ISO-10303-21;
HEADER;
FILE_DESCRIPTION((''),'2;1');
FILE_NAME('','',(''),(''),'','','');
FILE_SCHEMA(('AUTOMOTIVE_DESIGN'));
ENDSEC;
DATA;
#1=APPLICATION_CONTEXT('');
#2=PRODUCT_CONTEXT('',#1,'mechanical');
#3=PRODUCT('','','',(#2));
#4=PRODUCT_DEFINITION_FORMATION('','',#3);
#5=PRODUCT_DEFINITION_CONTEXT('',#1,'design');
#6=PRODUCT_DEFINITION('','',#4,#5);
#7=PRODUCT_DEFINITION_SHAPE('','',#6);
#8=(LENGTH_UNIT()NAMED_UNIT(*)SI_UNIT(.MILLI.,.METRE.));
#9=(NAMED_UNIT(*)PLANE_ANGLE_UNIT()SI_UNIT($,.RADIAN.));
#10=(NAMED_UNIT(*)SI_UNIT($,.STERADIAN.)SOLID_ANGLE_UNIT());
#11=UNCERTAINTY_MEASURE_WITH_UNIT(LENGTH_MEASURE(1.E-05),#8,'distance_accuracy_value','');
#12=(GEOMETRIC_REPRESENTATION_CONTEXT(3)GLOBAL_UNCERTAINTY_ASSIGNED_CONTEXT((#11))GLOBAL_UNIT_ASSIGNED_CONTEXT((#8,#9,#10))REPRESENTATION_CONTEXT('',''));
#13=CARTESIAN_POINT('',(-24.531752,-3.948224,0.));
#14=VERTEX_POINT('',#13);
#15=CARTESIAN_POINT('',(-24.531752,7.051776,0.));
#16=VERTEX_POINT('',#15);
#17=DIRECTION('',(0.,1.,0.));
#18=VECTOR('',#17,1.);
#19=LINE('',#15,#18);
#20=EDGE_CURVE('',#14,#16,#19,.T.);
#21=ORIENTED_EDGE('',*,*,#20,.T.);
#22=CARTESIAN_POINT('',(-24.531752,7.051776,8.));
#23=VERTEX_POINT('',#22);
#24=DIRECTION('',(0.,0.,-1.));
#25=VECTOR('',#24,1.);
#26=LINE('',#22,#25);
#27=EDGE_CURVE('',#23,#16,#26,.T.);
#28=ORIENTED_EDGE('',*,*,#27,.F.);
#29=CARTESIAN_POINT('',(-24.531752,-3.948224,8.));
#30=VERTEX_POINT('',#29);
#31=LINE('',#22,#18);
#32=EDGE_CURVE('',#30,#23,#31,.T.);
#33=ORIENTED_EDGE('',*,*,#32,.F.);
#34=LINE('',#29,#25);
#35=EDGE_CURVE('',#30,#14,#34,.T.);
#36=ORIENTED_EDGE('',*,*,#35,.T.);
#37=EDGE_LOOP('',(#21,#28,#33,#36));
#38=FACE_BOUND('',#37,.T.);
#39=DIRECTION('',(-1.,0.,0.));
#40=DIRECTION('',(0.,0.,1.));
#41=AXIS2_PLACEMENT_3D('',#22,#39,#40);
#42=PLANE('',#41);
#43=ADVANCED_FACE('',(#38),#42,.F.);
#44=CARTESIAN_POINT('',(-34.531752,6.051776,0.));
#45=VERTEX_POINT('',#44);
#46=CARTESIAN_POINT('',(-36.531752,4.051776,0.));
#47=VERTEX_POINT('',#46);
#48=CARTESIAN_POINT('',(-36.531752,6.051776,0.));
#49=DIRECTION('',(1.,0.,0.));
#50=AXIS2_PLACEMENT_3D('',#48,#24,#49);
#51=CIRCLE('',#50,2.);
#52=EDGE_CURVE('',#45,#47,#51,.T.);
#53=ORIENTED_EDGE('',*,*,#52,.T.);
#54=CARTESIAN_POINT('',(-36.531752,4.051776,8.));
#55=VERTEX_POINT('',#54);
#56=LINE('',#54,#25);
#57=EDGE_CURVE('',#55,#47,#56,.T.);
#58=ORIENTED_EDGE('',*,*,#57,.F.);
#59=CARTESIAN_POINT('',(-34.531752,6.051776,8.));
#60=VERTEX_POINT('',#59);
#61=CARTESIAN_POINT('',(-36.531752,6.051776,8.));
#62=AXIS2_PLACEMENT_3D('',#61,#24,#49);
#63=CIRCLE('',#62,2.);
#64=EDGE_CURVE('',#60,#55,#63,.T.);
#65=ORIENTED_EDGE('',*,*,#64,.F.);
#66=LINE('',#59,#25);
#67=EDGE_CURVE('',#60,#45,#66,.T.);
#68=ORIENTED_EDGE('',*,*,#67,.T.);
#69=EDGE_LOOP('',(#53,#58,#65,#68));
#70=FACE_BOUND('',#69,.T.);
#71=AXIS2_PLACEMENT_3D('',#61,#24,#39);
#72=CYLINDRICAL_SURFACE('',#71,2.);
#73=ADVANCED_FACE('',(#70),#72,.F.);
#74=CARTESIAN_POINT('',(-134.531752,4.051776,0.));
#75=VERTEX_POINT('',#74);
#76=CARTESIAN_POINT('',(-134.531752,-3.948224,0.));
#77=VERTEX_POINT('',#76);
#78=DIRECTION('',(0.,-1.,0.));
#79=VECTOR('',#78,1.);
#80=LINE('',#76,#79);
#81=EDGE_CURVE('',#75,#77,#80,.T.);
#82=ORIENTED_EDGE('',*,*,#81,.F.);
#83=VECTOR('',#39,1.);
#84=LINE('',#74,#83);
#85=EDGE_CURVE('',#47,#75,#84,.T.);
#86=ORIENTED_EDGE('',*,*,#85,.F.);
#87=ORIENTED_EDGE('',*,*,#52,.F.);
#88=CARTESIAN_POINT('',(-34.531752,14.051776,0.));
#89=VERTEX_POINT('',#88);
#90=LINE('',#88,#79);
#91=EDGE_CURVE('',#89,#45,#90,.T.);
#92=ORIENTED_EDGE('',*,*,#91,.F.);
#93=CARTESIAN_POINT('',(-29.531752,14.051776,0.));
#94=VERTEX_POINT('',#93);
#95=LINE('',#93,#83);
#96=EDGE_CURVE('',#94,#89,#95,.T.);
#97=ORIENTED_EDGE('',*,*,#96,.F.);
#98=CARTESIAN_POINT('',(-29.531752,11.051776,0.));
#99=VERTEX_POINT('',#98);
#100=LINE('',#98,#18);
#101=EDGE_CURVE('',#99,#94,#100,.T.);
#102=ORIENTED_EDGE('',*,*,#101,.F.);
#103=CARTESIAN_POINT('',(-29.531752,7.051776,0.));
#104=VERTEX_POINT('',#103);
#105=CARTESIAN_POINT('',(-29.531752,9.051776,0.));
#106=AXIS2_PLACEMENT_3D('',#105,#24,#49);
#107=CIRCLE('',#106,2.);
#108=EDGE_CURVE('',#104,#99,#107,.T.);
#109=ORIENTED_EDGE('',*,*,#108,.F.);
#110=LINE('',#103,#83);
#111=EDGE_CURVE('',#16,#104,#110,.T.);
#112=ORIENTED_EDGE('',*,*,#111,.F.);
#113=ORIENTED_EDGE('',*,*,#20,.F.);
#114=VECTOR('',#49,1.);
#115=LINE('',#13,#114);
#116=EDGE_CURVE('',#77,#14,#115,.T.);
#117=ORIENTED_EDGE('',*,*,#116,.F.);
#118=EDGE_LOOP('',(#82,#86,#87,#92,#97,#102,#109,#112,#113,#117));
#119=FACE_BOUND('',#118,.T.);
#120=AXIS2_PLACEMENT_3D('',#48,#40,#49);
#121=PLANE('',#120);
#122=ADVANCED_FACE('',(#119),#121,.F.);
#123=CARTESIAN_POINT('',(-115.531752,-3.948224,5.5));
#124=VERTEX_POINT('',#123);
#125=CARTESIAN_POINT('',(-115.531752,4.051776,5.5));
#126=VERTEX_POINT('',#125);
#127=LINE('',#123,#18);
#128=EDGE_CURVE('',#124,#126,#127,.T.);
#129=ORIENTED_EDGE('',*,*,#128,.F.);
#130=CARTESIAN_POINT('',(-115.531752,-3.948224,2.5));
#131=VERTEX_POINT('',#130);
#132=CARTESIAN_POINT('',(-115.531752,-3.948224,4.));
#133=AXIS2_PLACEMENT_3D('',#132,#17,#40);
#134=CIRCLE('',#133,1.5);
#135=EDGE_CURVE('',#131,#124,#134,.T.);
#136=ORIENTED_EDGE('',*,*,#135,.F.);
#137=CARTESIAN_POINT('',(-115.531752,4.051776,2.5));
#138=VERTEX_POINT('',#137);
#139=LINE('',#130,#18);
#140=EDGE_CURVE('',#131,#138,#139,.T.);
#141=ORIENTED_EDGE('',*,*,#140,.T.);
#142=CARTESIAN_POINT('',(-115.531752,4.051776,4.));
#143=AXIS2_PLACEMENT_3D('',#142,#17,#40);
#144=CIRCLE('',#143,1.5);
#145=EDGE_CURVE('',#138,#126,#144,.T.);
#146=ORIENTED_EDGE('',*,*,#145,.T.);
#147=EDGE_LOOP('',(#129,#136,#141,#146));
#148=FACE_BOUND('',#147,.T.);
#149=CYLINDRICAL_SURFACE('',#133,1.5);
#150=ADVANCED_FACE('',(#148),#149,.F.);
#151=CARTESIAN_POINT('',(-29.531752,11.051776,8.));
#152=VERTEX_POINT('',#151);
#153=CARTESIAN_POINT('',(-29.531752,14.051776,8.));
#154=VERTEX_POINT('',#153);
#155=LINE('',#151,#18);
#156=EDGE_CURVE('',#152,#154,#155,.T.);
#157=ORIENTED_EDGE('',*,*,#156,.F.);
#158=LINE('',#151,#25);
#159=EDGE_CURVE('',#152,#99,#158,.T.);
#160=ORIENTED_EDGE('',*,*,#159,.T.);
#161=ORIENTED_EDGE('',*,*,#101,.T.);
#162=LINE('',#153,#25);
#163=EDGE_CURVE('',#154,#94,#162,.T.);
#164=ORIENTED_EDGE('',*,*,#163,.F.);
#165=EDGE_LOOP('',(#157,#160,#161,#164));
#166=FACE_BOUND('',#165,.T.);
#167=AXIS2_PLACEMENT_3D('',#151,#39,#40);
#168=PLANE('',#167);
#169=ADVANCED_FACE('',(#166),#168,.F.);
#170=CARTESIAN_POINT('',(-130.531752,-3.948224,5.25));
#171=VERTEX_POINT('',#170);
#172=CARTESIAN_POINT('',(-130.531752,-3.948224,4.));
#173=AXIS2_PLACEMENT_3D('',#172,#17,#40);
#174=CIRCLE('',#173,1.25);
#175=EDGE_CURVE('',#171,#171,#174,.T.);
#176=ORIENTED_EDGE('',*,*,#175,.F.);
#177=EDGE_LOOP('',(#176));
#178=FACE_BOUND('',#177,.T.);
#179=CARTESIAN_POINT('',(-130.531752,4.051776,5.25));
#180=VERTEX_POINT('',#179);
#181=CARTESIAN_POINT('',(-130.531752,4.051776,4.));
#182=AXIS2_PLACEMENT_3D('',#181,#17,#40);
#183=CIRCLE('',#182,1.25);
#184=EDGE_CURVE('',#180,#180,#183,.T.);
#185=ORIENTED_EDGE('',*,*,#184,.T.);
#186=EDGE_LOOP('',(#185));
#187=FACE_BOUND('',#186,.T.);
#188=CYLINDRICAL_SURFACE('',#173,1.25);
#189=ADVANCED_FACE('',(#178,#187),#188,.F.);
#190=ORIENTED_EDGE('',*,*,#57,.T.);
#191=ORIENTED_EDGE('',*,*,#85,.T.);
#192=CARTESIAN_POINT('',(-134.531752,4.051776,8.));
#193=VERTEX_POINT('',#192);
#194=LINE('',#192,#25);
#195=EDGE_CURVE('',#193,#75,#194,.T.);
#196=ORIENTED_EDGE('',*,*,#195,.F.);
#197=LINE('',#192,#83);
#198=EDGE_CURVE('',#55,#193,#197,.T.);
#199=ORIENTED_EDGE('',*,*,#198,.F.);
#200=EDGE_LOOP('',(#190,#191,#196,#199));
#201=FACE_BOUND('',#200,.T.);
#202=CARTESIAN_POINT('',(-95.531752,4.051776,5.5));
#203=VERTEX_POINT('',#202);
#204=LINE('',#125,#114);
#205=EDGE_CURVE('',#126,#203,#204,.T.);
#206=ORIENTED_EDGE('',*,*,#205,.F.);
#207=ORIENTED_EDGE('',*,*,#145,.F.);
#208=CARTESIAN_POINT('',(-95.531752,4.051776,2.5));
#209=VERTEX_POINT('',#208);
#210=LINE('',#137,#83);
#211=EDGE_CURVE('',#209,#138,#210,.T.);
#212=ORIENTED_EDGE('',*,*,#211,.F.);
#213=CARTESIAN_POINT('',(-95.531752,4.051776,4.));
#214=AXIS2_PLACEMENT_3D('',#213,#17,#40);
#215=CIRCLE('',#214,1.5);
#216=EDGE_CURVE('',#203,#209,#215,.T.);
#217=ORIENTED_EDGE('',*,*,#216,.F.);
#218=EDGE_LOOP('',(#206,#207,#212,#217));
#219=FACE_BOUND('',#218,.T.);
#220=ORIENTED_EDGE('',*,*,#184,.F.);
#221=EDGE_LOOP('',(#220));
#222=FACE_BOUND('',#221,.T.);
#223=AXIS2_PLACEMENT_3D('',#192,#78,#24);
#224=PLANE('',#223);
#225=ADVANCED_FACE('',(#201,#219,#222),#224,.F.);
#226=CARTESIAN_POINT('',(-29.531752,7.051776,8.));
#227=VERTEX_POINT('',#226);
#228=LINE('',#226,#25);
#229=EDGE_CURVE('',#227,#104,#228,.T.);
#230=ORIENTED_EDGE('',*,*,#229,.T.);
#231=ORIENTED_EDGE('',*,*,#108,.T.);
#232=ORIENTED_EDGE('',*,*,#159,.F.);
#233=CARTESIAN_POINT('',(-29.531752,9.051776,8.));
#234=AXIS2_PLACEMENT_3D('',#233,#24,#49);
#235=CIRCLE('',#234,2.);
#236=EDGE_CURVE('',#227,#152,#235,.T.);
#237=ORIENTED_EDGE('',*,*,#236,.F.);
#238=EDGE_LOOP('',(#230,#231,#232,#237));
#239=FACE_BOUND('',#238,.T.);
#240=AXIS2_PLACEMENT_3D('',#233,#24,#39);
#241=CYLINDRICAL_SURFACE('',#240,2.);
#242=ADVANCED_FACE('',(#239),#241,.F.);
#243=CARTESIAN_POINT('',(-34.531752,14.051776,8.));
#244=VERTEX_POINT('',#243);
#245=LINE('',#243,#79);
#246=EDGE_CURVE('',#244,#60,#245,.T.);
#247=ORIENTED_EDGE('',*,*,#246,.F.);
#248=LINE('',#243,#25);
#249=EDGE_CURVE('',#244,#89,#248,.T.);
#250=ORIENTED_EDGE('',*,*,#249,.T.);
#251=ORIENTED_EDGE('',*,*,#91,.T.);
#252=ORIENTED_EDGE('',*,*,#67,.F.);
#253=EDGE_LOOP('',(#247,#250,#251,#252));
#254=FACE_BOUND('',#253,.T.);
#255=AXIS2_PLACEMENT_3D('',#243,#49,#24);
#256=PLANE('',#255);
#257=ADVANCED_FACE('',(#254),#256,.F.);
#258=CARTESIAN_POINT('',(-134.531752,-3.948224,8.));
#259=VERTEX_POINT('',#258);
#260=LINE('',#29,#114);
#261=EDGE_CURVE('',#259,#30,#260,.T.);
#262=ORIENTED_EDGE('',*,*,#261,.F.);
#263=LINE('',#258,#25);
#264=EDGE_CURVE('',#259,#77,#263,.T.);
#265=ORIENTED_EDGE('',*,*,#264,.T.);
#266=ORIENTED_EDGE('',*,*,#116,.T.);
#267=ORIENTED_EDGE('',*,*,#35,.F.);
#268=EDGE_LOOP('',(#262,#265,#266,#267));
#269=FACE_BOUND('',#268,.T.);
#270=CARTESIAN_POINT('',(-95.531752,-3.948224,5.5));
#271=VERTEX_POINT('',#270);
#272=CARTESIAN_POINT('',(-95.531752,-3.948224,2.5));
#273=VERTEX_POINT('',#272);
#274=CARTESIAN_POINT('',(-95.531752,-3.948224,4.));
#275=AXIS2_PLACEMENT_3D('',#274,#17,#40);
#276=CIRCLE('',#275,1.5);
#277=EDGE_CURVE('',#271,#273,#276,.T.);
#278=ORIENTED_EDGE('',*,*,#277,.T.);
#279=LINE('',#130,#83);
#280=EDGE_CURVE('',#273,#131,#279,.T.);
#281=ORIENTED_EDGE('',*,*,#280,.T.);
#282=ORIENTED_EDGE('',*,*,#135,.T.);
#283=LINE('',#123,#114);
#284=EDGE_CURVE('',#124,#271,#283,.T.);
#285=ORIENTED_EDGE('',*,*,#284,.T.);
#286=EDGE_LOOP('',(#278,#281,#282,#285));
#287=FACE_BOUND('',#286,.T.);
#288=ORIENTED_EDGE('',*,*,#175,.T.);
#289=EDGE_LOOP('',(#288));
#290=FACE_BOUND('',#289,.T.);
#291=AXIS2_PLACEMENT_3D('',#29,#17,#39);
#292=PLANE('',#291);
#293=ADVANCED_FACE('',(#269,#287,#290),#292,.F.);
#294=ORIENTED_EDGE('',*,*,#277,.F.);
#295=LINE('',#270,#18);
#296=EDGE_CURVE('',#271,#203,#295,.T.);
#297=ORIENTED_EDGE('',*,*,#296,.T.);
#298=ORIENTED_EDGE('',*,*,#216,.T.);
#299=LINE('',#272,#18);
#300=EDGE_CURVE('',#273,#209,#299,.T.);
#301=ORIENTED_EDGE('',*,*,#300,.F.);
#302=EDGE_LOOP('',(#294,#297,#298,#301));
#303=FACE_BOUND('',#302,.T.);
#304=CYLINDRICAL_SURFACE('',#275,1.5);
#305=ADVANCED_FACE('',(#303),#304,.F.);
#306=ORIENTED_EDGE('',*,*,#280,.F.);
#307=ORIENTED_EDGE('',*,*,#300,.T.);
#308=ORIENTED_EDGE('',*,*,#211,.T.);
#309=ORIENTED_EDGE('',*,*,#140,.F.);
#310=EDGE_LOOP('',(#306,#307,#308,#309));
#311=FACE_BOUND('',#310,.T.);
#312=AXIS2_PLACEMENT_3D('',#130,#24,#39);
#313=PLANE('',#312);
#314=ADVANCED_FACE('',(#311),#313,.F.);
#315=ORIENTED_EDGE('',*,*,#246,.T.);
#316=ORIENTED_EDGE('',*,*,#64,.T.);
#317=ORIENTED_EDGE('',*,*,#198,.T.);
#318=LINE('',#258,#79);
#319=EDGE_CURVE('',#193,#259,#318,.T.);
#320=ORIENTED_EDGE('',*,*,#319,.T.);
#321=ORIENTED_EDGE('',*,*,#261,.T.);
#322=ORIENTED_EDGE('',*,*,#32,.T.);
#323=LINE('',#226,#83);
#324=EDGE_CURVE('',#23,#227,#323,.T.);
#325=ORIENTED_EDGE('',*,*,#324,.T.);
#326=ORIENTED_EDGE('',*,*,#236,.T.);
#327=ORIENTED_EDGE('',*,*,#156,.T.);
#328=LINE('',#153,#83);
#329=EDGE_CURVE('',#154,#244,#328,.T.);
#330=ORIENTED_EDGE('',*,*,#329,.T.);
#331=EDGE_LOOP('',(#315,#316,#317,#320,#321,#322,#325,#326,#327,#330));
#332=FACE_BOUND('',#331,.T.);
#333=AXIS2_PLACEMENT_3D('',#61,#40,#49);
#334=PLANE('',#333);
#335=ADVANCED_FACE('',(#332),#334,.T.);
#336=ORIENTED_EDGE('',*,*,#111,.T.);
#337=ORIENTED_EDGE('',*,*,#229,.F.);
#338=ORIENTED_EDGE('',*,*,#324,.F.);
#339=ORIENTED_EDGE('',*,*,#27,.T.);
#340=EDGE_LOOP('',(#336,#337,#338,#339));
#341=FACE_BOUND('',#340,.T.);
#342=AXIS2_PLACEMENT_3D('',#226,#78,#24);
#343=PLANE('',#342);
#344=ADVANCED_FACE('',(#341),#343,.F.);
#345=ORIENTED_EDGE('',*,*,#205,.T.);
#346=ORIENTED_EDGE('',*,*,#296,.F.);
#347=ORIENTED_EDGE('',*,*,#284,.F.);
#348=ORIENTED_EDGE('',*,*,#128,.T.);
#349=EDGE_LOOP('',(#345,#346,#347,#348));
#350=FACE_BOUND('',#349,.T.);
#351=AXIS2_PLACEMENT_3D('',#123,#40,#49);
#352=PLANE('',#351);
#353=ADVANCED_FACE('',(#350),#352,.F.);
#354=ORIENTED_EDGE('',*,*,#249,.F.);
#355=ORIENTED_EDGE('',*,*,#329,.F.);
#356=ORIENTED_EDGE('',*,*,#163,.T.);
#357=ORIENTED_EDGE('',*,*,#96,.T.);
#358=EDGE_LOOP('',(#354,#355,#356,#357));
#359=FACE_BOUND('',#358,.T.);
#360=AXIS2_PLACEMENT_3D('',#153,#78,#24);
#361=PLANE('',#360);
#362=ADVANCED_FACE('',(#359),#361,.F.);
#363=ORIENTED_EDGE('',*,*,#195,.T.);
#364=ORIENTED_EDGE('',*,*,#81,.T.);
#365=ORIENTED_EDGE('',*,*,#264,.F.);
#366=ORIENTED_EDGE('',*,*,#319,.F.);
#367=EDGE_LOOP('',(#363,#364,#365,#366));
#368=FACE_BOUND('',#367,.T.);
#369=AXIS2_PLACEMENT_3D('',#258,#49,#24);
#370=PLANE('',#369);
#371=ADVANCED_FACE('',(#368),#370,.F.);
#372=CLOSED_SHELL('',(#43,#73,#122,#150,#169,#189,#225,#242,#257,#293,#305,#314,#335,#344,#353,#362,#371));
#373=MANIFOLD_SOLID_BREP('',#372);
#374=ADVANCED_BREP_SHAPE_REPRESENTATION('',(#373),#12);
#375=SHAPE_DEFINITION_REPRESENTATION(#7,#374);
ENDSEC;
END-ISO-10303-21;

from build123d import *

# Parameters (mm, degrees)
BOSS_EXTRUDE2_DEPTH = 8
SKETCH3_R           = 1.25
CUT_EXTRUDE1_DEPTH  = 8
CUT_EXTRUDE2_DEPTH  = 8


with BuildPart() as part:
    # Sketch1 → Boss-Extrude2 (new body)
    with BuildSketch(Plane.XY):
        with BuildLine():
            Line((-29.531751908, 7.051775609), (-24.531751908, 7.051775609))
            Line((-24.531751908, 7.051775609), (-24.531751908, -3.948224391))
            Line((-24.531751908, -3.948224391), (-134.531751908, -3.948224391))
            Line((-134.531751908, -3.948224391), (-134.531751908, 4.051775609))
            Line((-134.531751908, 4.051775609), (-36.531751908, 4.051775609))
            ThreePointArc((-36.531751908, 4.051775609), (-35.117538345, 4.637562047), (-34.531751908, 6.051775609))
            Line((-34.531751908, 6.051775609), (-34.531751908, 14.051775609))
            Line((-34.531751908, 14.051775609), (-29.531751908, 14.051775609))
            Line((-29.531751908, 14.051775609), (-29.531751908, 11.051775609))
            ThreePointArc((-29.531751908, 11.051775609), (-31.531751908, 9.051775609), (-29.531751908, 7.051775609))
        make_face()
    extrude(amount=BOSS_EXTRUDE2_DEPTH)

    # Sketch3 → Cut-Extrude1 (cut)
    with BuildSketch(Plane(origin=(0, 4.051775609, 0), x_dir=(1, 0, 0), z_dir=(0, 1, 0))):
        with Locations(Location((-130.531751908, -4, 0), (0, 0, 270))):
            Circle(SKETCH3_R)
    extrude(amount=-CUT_EXTRUDE1_DEPTH, mode=Mode.SUBTRACT)

    # Sketch4 → Cut-Extrude2 (cut)
    with BuildSketch(Plane(origin=(0, 4.051775609, 0), x_dir=(1, 0, 0), z_dir=(0, 1, 0))):
        with BuildLine():
            Line((-115.531751908, -2.5), (-95.531751908, -2.5))
            ThreePointArc((-95.531751908, -2.5), (-94.031751908, -4), (-95.531751908, -5.5))
            Line((-95.531751908, -5.5), (-115.531751908, -5.5))
            ThreePointArc((-115.531751908, -5.5), (-117.031751908, -4), (-115.531751908, -2.5))
        make_face()
    extrude(amount=-CUT_EXTRUDE2_DEPTH, mode=Mode.SUBTRACT)


solid = part.part
